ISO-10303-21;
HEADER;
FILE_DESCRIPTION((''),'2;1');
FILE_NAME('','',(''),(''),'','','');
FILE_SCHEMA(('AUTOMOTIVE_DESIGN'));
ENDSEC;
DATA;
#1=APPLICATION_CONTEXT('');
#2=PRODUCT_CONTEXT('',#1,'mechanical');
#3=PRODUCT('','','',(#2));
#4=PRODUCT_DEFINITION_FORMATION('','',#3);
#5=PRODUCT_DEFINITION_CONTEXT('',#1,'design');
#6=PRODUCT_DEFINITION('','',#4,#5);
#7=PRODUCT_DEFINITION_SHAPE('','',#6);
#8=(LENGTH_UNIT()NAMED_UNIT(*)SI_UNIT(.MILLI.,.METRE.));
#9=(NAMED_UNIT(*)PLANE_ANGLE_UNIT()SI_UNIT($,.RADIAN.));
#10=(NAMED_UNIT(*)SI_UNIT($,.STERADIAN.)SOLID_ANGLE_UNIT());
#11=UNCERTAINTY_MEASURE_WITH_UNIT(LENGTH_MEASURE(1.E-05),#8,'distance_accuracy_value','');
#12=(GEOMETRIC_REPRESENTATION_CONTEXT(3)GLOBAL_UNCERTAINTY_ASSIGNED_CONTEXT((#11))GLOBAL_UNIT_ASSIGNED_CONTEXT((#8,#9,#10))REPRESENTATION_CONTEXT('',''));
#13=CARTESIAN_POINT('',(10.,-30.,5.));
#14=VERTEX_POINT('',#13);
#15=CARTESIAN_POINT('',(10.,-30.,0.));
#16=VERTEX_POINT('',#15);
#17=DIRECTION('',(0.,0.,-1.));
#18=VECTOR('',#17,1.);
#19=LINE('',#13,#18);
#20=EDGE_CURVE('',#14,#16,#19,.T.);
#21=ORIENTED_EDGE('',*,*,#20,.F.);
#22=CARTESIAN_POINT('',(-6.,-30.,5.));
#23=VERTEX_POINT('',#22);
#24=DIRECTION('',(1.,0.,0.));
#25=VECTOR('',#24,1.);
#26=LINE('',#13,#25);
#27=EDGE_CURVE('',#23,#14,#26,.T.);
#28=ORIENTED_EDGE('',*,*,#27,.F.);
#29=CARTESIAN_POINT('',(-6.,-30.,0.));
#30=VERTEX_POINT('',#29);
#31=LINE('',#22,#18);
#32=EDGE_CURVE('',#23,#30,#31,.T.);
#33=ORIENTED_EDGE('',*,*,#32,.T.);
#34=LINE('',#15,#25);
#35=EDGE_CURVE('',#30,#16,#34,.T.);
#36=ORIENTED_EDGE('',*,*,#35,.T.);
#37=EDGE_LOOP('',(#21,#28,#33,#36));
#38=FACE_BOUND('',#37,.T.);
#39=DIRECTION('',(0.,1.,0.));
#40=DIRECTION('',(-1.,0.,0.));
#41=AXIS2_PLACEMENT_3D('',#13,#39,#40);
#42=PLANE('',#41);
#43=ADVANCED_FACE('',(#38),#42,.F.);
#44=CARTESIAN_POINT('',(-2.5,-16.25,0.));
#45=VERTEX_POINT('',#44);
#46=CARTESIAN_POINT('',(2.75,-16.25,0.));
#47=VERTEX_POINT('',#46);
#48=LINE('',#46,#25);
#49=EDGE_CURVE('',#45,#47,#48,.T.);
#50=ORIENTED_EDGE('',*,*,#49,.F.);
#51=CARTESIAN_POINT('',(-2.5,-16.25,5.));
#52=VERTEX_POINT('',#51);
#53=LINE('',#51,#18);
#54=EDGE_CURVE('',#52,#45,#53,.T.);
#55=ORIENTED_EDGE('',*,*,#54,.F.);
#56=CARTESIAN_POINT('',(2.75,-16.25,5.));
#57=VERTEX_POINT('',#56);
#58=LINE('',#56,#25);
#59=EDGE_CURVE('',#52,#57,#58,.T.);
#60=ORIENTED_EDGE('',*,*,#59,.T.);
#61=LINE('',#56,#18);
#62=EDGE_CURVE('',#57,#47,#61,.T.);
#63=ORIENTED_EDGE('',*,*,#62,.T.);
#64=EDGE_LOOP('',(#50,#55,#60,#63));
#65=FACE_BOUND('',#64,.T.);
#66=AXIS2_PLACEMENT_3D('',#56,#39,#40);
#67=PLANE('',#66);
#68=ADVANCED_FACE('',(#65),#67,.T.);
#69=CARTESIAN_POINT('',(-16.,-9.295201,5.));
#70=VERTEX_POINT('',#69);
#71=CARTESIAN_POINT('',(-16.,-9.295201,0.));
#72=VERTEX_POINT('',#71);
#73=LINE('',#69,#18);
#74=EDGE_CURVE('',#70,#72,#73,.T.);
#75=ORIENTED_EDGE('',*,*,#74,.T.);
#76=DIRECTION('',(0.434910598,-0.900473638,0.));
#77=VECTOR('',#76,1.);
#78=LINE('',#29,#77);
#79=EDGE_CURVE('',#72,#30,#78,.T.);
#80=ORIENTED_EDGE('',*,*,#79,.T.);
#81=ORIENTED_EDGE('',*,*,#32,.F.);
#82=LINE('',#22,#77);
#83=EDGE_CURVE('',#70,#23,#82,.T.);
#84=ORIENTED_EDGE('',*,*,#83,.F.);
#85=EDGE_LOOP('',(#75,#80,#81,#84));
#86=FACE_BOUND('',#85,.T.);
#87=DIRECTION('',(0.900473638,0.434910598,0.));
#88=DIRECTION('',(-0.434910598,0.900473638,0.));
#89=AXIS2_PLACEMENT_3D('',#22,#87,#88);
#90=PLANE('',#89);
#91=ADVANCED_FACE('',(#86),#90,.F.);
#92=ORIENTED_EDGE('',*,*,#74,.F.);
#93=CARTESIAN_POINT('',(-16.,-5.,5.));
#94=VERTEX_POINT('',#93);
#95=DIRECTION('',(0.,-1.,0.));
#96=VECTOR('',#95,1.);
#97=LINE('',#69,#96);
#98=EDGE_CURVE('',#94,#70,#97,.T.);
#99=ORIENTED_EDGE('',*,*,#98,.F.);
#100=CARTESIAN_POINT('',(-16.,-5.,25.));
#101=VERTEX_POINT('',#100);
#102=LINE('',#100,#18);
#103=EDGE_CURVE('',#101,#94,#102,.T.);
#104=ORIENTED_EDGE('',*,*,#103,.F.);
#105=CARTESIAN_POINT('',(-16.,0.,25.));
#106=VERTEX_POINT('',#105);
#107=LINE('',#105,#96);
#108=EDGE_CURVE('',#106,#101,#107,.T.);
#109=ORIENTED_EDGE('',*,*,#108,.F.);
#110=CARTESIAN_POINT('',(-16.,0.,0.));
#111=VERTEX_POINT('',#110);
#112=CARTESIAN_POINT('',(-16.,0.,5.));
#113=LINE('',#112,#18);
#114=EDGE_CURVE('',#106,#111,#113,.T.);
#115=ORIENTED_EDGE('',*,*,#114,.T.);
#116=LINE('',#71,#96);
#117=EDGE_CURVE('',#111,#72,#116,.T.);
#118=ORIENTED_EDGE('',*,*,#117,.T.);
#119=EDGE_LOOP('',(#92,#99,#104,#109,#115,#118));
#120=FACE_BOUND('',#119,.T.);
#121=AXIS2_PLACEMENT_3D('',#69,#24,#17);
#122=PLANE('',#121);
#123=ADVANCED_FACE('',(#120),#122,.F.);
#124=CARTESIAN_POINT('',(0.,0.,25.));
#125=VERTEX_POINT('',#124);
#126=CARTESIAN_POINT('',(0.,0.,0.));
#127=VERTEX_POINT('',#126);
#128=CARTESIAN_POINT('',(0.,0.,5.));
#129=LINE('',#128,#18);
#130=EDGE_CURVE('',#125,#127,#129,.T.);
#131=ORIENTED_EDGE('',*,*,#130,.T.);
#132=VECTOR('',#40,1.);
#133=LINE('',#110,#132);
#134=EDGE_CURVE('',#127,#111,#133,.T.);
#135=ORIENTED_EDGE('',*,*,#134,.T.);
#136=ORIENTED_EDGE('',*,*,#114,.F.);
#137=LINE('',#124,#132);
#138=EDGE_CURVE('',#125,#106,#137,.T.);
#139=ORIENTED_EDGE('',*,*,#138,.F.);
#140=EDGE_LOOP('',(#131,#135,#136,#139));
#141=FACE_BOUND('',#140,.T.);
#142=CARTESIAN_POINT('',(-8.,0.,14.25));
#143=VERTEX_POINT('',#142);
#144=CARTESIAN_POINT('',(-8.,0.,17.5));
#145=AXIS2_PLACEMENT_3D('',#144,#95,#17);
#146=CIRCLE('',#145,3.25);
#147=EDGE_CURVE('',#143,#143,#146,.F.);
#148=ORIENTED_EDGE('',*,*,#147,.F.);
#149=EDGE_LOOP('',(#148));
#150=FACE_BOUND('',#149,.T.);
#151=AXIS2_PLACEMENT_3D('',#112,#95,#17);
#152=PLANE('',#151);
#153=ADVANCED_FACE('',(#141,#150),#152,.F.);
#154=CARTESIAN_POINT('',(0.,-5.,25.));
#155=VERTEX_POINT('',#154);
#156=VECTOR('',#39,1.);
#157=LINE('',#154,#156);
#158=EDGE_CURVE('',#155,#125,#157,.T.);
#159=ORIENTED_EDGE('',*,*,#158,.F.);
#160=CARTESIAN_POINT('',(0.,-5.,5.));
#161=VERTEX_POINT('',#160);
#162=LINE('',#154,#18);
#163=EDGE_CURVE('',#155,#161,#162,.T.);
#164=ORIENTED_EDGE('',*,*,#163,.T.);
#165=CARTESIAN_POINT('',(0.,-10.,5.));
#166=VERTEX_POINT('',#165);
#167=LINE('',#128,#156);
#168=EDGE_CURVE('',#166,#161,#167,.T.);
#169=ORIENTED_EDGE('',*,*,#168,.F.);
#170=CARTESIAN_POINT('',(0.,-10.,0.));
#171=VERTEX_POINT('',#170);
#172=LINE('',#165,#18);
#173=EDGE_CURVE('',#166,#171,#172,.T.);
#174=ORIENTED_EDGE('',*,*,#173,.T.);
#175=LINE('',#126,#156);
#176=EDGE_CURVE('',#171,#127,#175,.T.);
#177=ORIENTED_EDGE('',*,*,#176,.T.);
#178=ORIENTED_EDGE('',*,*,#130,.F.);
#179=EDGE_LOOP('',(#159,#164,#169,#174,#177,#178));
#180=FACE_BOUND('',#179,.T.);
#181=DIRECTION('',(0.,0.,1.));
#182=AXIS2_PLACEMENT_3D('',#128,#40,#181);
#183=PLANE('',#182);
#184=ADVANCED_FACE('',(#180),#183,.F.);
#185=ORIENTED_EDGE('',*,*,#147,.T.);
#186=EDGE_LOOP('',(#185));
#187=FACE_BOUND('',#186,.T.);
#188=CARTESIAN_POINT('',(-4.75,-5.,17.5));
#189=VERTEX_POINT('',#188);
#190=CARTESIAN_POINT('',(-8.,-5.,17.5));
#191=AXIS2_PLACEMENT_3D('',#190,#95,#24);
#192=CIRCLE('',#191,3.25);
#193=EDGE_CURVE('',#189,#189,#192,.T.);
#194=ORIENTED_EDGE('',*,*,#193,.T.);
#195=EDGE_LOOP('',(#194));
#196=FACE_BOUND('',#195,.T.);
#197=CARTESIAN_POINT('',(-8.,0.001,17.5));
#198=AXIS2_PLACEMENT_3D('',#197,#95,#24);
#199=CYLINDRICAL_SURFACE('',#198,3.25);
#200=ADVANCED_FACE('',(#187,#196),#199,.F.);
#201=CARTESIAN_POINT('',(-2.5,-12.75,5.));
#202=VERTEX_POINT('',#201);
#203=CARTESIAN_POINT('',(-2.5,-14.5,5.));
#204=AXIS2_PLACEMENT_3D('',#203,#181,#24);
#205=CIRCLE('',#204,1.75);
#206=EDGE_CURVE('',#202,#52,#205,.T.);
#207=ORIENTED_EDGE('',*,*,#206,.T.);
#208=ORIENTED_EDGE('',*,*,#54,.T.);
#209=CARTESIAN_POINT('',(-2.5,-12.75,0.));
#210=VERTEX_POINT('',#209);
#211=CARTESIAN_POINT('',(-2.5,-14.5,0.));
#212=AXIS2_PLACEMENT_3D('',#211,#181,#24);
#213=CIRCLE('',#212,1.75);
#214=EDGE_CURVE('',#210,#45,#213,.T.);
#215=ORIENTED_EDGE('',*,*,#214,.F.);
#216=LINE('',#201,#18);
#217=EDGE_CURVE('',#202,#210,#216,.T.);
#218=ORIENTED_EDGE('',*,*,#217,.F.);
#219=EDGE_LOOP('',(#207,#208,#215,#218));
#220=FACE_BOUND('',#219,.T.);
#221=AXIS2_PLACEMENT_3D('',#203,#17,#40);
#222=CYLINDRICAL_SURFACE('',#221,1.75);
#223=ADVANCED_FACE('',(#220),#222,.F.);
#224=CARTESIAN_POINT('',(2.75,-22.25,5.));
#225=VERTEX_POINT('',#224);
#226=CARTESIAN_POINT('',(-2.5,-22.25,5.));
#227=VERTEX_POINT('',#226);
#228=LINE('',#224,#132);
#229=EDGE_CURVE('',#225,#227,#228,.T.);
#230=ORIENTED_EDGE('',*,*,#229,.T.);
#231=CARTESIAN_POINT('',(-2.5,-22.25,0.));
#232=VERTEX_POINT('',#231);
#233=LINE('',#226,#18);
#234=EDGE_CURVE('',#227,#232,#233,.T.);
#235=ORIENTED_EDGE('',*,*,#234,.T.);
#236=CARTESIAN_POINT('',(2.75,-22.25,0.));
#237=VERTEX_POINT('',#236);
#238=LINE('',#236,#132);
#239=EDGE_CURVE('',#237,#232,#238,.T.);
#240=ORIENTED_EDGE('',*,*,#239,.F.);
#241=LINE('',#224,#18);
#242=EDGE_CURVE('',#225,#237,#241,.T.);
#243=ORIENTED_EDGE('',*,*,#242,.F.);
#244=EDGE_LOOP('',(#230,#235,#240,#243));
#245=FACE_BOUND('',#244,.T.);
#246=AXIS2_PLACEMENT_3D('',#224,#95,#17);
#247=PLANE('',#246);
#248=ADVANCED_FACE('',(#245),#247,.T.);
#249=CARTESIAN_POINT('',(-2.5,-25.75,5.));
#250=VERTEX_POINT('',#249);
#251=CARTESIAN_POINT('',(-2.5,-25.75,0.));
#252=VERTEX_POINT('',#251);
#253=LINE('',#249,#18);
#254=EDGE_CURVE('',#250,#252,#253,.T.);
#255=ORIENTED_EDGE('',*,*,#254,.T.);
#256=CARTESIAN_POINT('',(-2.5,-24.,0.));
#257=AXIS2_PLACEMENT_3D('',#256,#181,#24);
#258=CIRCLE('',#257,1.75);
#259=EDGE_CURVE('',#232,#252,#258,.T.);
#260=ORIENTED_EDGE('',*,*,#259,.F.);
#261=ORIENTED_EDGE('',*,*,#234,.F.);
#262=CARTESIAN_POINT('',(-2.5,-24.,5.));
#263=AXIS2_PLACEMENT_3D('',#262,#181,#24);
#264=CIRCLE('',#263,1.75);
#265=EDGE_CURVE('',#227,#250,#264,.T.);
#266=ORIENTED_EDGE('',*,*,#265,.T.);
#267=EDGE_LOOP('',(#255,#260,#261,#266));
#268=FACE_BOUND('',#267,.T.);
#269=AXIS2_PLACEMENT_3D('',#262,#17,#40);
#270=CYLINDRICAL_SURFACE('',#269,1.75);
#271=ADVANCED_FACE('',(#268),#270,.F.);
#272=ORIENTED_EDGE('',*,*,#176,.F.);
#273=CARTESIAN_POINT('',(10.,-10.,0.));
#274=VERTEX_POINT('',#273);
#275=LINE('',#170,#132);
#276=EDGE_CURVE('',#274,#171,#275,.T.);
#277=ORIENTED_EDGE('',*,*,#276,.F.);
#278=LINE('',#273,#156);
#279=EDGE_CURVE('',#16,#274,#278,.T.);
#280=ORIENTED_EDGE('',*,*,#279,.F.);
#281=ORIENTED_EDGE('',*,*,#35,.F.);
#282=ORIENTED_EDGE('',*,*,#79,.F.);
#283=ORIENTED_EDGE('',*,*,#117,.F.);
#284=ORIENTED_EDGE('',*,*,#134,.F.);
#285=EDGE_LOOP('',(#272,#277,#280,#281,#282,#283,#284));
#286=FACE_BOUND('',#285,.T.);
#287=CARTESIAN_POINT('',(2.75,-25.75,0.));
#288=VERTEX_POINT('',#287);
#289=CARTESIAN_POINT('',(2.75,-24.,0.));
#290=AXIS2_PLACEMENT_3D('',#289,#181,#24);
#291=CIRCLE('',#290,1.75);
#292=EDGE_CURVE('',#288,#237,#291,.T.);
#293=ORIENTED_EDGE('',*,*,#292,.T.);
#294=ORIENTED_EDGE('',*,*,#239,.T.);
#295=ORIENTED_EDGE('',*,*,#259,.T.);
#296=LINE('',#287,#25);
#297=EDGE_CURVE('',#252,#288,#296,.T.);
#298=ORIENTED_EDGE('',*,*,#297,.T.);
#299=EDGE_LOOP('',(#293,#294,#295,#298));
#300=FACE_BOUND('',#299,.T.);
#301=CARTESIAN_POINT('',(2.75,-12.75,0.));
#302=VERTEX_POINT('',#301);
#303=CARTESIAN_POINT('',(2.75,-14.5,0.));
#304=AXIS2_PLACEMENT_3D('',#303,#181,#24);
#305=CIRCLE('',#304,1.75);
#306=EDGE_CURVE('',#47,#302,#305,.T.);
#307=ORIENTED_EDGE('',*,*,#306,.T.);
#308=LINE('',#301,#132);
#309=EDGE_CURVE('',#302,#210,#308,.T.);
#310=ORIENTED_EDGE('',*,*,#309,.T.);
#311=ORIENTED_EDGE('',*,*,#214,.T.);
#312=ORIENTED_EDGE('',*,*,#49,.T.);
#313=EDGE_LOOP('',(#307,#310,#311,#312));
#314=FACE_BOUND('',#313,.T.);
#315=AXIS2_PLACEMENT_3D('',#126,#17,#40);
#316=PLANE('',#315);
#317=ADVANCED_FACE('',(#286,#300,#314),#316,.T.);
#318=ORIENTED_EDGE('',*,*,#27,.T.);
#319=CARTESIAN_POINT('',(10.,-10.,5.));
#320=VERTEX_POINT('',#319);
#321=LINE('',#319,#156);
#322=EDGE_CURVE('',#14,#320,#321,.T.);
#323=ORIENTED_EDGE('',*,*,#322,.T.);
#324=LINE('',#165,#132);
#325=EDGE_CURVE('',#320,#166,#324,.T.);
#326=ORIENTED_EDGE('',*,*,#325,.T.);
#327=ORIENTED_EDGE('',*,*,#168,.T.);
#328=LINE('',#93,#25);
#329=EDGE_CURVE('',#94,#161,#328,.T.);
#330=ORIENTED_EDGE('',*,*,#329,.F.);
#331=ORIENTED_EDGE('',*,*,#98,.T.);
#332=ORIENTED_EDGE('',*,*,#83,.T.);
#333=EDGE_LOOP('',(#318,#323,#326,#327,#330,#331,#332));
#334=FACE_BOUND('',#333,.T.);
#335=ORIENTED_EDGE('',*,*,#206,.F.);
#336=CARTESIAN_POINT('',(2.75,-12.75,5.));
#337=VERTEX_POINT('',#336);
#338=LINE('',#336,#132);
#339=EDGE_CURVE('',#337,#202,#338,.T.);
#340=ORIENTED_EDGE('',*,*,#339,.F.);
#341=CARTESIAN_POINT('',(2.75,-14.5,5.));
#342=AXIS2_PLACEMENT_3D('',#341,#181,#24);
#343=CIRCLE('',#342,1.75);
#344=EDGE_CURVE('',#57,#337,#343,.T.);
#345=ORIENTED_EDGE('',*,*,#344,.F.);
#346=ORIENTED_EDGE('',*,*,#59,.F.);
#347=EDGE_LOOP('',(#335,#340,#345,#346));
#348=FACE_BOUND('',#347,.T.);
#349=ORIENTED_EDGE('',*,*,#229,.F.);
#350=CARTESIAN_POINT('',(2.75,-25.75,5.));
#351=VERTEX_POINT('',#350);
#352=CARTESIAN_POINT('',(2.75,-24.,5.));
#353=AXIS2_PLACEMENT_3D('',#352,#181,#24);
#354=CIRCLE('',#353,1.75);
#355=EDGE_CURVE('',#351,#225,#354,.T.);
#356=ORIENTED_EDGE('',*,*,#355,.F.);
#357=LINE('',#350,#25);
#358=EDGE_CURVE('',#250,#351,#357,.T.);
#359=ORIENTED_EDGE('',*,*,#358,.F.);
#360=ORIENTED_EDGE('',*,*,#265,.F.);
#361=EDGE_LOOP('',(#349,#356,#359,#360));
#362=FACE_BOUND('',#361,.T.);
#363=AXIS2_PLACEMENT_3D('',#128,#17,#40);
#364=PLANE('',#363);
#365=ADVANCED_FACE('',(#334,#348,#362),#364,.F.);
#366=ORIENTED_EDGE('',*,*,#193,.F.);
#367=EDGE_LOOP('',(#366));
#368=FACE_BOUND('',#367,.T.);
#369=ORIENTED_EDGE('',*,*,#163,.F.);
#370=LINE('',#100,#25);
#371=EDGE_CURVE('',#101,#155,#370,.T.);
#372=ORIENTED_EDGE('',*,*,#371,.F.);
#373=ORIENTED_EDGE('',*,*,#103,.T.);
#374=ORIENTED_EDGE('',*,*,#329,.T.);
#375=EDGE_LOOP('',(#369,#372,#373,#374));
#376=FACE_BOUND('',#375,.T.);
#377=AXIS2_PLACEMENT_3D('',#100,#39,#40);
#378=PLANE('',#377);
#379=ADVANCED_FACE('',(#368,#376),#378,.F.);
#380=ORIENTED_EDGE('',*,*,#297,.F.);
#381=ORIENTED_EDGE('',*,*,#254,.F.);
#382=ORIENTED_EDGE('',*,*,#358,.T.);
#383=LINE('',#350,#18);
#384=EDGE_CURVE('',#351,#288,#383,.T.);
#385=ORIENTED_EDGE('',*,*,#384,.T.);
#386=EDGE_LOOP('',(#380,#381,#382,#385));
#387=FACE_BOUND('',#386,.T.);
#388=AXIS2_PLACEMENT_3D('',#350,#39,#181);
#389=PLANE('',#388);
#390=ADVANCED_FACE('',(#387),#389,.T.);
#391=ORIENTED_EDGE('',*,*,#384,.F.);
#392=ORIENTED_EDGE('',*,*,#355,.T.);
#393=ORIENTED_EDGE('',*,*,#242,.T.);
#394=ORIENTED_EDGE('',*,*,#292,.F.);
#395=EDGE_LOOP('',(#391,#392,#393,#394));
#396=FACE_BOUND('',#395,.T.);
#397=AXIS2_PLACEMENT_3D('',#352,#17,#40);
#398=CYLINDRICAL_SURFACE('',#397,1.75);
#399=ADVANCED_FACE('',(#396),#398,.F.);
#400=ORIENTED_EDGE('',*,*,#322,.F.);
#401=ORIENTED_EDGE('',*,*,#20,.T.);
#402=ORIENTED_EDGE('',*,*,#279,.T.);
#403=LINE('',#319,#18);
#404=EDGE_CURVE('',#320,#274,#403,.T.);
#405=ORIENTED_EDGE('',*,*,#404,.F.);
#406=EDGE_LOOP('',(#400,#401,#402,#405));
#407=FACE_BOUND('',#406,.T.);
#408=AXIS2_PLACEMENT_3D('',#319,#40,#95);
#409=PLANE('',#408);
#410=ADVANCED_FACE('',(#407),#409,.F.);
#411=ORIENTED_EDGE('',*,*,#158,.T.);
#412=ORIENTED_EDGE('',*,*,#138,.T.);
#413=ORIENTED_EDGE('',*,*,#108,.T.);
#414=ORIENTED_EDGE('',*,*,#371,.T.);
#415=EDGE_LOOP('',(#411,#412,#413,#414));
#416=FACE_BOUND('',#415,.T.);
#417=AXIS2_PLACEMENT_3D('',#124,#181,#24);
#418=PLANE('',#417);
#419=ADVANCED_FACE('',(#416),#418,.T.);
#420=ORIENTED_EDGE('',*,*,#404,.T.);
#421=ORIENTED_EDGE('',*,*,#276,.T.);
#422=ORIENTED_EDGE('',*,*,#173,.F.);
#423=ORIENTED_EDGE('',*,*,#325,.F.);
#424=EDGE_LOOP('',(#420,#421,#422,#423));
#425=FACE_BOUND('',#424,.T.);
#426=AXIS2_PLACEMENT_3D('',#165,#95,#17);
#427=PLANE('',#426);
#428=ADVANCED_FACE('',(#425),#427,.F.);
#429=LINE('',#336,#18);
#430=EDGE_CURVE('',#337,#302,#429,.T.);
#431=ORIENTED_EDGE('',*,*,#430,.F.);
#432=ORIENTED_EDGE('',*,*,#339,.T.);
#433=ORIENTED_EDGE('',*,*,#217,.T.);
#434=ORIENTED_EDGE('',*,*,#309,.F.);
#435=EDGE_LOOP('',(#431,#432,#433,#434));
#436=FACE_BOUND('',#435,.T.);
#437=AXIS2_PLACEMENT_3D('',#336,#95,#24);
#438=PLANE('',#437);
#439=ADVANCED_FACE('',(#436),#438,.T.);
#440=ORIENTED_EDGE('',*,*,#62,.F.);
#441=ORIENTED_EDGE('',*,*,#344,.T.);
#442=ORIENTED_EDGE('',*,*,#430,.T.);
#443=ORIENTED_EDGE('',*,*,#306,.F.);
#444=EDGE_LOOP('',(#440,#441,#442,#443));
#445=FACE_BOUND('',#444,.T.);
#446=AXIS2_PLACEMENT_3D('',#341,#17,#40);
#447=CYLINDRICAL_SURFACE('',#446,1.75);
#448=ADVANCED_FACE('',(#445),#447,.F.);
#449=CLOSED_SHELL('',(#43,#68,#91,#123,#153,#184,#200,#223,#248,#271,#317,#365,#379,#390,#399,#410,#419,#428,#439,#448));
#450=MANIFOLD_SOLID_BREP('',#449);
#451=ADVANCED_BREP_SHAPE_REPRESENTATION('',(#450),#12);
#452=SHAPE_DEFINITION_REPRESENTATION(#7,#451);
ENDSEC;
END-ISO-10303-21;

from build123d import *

# Parameters (mm, degrees)
ESTRUSIONE_ESTRUSIONE1_DEPTH = 5
SCHIZZO2_W                   = 16
SCHIZZO2_H                   = 5
ESTRUSIONE_ESTRUSIONE2_DEPTH = 20
TAGLIO_ESTRUSIONE1_REACH     = 40.807
SCHIZZO3_R                   = 3.25


with BuildPart() as part:
    # Schizzo1 → Estrusione-Estrusione1 (new body)
    with BuildSketch(Plane.XY):
        Polygon((-16, 0), (0, 0), (0, -10), (10, -10), (10, -30), (-6, -30), (-16, -9.295201316), align=None)
        with BuildLine():
            Line((2.75, -22.25), (-2.5, -22.25))
            ThreePointArc((-2.5, -22.25), (-4.25, -24), (-2.5, -25.75))
            Line((-2.5, -25.75), (2.75, -25.75))
            ThreePointArc((2.75, -25.75), (4.5, -24), (2.75, -22.25))
        make_face(mode=Mode.SUBTRACT)
        with BuildLine():
            Line((2.75, -12.75), (-2.5, -12.75))
            ThreePointArc((-2.5, -12.75), (-4.25, -14.5), (-2.5, -16.25))
            Line((-2.5, -16.25), (2.75, -16.25))
            ThreePointArc((2.75, -16.25), (4.5, -14.5), (2.75, -12.75))
        make_face(mode=Mode.SUBTRACT)
    extrude(amount=ESTRUSIONE_ESTRUSIONE1_DEPTH)

    # Schizzo2 → Estrusione-Estrusione2 (add)
    with BuildSketch(Plane.XY.offset(5)):
        with Locations((-8, -2.5)):
            Rectangle(SCHIZZO2_W, SCHIZZO2_H)
    extrude(amount=ESTRUSIONE_ESTRUSIONE2_DEPTH)

    # Schizzo3 → Taglio-Estrusione1 (cut, up to next)
    with BuildSketch(Plane.XZ.offset(5), mode=Mode.PRIVATE) as taglio_estrusione1_sk1:
        with Locations((-8, 17.5)):
            Circle(SCHIZZO3_R)
    taglio_estrusione1_tool1 = extrude(taglio_estrusione1_sk1.sketch, amount=-TAGLIO_ESTRUSIONE1_REACH, mode=Mode.PRIVATE) & part.part
    add(taglio_estrusione1_tool1.solids().sort_by_distance((-8, -5, 17.5))[0], mode=Mode.SUBTRACT)


solid = part.part
